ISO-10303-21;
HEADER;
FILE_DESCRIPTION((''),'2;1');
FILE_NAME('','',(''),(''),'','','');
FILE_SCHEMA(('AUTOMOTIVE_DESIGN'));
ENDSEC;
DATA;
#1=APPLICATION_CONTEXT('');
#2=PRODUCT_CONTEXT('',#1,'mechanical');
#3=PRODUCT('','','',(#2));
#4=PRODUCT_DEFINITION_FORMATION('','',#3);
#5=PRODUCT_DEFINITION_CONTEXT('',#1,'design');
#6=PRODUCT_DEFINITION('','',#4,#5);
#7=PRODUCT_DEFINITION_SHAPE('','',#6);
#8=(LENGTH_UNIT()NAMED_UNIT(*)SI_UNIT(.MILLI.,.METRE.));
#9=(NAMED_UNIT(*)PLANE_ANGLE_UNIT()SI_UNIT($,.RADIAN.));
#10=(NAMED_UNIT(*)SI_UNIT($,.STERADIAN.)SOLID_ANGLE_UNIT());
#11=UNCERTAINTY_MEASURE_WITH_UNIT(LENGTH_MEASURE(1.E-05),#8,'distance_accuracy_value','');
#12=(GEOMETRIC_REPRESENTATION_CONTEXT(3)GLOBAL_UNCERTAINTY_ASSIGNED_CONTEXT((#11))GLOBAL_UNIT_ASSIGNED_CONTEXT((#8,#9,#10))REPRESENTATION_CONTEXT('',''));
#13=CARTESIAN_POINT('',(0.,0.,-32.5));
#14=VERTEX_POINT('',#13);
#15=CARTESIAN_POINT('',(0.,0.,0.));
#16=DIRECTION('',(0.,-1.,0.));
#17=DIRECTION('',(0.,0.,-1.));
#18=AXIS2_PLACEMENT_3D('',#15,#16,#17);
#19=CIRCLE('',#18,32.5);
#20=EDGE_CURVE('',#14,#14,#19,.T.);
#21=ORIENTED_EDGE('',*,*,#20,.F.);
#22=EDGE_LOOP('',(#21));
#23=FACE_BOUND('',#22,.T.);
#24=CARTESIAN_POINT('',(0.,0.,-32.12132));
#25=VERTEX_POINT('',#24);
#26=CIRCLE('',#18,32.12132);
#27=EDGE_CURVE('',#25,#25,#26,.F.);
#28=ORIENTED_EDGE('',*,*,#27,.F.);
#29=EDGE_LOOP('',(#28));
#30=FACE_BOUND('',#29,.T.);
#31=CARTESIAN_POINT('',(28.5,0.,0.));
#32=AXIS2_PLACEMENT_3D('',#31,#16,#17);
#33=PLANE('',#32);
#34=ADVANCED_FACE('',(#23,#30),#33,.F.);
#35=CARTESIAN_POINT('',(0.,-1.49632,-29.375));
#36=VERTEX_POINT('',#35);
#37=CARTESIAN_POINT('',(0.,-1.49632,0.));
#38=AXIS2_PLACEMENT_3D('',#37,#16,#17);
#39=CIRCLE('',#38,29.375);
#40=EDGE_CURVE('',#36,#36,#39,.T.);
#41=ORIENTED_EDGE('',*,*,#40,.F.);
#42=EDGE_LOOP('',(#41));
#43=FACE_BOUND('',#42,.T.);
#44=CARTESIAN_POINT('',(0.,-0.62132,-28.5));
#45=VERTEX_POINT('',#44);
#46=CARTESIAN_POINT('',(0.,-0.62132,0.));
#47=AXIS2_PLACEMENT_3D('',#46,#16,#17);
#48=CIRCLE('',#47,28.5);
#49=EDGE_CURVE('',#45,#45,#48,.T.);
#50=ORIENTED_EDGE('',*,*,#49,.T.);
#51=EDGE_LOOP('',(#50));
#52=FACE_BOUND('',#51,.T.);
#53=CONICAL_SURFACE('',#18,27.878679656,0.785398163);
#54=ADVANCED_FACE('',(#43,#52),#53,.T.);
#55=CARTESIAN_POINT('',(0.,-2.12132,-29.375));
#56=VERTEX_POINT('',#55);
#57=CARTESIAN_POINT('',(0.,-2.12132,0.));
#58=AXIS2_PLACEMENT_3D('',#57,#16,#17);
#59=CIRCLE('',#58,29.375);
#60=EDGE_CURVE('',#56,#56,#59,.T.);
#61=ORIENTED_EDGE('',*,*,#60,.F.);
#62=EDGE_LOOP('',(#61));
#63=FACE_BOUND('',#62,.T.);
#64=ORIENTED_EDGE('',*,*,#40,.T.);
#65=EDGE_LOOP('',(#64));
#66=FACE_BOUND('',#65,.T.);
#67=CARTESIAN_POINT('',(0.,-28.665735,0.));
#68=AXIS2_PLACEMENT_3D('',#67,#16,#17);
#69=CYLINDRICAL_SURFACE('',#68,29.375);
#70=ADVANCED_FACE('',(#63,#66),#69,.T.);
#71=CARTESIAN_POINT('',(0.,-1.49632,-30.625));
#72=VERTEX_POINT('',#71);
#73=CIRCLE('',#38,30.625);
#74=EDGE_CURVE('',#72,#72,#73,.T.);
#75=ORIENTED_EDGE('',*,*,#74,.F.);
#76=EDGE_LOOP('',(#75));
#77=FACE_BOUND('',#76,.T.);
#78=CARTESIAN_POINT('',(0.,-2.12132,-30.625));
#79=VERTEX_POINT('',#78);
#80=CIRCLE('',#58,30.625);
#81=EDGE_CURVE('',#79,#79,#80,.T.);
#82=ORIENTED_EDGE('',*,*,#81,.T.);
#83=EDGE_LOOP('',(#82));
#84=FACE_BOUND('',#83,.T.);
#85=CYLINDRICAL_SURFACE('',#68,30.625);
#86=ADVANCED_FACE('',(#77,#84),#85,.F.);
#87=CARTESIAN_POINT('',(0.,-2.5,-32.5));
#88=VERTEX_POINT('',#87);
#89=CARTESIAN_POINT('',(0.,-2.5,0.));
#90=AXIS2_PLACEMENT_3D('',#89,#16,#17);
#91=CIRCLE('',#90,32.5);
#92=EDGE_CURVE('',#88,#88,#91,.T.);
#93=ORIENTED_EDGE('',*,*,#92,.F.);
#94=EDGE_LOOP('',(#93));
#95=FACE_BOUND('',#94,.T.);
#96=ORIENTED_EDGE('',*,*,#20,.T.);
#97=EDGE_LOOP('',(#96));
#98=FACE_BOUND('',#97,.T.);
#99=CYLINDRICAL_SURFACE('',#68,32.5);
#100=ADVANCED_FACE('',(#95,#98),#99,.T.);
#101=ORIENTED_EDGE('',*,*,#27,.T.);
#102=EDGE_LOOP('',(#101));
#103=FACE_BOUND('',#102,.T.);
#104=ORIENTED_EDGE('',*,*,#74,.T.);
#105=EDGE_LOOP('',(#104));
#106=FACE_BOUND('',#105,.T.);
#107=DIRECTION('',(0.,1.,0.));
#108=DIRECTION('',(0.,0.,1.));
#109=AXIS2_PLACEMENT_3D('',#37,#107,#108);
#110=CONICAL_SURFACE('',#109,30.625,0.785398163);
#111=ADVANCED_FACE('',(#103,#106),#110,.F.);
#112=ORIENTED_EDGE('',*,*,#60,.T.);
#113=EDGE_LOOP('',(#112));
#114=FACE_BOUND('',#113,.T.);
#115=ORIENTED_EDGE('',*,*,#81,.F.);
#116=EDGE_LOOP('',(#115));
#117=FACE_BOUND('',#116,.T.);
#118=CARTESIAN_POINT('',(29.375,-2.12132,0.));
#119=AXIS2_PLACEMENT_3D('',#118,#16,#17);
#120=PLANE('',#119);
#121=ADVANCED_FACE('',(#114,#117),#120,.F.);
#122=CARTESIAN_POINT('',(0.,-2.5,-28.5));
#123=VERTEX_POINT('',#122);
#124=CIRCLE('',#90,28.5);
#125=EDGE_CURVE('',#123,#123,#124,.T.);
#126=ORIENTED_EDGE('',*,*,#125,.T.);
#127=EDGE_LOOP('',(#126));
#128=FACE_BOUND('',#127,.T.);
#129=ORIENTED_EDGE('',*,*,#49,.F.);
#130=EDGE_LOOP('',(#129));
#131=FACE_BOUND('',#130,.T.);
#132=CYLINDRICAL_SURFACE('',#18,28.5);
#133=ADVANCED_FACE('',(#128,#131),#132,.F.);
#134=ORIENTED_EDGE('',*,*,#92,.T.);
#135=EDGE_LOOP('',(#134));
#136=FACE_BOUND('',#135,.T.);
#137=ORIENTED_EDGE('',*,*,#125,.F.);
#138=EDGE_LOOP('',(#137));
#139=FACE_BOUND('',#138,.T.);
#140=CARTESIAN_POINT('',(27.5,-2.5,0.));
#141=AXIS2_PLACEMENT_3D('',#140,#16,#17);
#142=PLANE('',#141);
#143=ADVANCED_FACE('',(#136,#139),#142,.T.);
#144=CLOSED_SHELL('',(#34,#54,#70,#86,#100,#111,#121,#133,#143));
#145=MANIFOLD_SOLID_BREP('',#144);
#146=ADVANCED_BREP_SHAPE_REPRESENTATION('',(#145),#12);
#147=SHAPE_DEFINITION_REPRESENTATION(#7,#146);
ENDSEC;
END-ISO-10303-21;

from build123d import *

# Parameters (mm, degrees)
SKETCH1_W = 5
SKETCH1_H = 5


with BuildPart() as part:
    # Sketch1 → Revolve1 (revolve)
    with BuildSketch(Plane.XY):
        with Locations((30, 0)):
            Rectangle(SKETCH1_W, SKETCH1_H)
        Polygon((29.375, -1.496320344), (27.878679656, 0), (29.375, 1.496320344), (29.375, 2.121320344), (30.625, 2.121320344), (30.625, 1.496320344), (32.121320344, 0), (30.625, -1.496320344), (30.625, -2.121320344), (29.375, -2.121320344), align=None, mode=Mode.SUBTRACT)
    revolve(axis=Axis((0, -28.665734922, 0), (0, 1, 0)))

    # Sketch2 → Cut-Revolve1 (revolve, cut)
    with BuildSketch(Plane.XY):
        Polygon((28.5, 0), (32.5, 0), (32.5, 2.5), (27.5, 2.5), (27.5, 0), (27.5, -2.5), (28.5, -2.5), align=None)
    revolve(axis=Axis((0, 0, 0), (0, 1, 0)), mode=Mode.SUBTRACT)


solid = part.part
